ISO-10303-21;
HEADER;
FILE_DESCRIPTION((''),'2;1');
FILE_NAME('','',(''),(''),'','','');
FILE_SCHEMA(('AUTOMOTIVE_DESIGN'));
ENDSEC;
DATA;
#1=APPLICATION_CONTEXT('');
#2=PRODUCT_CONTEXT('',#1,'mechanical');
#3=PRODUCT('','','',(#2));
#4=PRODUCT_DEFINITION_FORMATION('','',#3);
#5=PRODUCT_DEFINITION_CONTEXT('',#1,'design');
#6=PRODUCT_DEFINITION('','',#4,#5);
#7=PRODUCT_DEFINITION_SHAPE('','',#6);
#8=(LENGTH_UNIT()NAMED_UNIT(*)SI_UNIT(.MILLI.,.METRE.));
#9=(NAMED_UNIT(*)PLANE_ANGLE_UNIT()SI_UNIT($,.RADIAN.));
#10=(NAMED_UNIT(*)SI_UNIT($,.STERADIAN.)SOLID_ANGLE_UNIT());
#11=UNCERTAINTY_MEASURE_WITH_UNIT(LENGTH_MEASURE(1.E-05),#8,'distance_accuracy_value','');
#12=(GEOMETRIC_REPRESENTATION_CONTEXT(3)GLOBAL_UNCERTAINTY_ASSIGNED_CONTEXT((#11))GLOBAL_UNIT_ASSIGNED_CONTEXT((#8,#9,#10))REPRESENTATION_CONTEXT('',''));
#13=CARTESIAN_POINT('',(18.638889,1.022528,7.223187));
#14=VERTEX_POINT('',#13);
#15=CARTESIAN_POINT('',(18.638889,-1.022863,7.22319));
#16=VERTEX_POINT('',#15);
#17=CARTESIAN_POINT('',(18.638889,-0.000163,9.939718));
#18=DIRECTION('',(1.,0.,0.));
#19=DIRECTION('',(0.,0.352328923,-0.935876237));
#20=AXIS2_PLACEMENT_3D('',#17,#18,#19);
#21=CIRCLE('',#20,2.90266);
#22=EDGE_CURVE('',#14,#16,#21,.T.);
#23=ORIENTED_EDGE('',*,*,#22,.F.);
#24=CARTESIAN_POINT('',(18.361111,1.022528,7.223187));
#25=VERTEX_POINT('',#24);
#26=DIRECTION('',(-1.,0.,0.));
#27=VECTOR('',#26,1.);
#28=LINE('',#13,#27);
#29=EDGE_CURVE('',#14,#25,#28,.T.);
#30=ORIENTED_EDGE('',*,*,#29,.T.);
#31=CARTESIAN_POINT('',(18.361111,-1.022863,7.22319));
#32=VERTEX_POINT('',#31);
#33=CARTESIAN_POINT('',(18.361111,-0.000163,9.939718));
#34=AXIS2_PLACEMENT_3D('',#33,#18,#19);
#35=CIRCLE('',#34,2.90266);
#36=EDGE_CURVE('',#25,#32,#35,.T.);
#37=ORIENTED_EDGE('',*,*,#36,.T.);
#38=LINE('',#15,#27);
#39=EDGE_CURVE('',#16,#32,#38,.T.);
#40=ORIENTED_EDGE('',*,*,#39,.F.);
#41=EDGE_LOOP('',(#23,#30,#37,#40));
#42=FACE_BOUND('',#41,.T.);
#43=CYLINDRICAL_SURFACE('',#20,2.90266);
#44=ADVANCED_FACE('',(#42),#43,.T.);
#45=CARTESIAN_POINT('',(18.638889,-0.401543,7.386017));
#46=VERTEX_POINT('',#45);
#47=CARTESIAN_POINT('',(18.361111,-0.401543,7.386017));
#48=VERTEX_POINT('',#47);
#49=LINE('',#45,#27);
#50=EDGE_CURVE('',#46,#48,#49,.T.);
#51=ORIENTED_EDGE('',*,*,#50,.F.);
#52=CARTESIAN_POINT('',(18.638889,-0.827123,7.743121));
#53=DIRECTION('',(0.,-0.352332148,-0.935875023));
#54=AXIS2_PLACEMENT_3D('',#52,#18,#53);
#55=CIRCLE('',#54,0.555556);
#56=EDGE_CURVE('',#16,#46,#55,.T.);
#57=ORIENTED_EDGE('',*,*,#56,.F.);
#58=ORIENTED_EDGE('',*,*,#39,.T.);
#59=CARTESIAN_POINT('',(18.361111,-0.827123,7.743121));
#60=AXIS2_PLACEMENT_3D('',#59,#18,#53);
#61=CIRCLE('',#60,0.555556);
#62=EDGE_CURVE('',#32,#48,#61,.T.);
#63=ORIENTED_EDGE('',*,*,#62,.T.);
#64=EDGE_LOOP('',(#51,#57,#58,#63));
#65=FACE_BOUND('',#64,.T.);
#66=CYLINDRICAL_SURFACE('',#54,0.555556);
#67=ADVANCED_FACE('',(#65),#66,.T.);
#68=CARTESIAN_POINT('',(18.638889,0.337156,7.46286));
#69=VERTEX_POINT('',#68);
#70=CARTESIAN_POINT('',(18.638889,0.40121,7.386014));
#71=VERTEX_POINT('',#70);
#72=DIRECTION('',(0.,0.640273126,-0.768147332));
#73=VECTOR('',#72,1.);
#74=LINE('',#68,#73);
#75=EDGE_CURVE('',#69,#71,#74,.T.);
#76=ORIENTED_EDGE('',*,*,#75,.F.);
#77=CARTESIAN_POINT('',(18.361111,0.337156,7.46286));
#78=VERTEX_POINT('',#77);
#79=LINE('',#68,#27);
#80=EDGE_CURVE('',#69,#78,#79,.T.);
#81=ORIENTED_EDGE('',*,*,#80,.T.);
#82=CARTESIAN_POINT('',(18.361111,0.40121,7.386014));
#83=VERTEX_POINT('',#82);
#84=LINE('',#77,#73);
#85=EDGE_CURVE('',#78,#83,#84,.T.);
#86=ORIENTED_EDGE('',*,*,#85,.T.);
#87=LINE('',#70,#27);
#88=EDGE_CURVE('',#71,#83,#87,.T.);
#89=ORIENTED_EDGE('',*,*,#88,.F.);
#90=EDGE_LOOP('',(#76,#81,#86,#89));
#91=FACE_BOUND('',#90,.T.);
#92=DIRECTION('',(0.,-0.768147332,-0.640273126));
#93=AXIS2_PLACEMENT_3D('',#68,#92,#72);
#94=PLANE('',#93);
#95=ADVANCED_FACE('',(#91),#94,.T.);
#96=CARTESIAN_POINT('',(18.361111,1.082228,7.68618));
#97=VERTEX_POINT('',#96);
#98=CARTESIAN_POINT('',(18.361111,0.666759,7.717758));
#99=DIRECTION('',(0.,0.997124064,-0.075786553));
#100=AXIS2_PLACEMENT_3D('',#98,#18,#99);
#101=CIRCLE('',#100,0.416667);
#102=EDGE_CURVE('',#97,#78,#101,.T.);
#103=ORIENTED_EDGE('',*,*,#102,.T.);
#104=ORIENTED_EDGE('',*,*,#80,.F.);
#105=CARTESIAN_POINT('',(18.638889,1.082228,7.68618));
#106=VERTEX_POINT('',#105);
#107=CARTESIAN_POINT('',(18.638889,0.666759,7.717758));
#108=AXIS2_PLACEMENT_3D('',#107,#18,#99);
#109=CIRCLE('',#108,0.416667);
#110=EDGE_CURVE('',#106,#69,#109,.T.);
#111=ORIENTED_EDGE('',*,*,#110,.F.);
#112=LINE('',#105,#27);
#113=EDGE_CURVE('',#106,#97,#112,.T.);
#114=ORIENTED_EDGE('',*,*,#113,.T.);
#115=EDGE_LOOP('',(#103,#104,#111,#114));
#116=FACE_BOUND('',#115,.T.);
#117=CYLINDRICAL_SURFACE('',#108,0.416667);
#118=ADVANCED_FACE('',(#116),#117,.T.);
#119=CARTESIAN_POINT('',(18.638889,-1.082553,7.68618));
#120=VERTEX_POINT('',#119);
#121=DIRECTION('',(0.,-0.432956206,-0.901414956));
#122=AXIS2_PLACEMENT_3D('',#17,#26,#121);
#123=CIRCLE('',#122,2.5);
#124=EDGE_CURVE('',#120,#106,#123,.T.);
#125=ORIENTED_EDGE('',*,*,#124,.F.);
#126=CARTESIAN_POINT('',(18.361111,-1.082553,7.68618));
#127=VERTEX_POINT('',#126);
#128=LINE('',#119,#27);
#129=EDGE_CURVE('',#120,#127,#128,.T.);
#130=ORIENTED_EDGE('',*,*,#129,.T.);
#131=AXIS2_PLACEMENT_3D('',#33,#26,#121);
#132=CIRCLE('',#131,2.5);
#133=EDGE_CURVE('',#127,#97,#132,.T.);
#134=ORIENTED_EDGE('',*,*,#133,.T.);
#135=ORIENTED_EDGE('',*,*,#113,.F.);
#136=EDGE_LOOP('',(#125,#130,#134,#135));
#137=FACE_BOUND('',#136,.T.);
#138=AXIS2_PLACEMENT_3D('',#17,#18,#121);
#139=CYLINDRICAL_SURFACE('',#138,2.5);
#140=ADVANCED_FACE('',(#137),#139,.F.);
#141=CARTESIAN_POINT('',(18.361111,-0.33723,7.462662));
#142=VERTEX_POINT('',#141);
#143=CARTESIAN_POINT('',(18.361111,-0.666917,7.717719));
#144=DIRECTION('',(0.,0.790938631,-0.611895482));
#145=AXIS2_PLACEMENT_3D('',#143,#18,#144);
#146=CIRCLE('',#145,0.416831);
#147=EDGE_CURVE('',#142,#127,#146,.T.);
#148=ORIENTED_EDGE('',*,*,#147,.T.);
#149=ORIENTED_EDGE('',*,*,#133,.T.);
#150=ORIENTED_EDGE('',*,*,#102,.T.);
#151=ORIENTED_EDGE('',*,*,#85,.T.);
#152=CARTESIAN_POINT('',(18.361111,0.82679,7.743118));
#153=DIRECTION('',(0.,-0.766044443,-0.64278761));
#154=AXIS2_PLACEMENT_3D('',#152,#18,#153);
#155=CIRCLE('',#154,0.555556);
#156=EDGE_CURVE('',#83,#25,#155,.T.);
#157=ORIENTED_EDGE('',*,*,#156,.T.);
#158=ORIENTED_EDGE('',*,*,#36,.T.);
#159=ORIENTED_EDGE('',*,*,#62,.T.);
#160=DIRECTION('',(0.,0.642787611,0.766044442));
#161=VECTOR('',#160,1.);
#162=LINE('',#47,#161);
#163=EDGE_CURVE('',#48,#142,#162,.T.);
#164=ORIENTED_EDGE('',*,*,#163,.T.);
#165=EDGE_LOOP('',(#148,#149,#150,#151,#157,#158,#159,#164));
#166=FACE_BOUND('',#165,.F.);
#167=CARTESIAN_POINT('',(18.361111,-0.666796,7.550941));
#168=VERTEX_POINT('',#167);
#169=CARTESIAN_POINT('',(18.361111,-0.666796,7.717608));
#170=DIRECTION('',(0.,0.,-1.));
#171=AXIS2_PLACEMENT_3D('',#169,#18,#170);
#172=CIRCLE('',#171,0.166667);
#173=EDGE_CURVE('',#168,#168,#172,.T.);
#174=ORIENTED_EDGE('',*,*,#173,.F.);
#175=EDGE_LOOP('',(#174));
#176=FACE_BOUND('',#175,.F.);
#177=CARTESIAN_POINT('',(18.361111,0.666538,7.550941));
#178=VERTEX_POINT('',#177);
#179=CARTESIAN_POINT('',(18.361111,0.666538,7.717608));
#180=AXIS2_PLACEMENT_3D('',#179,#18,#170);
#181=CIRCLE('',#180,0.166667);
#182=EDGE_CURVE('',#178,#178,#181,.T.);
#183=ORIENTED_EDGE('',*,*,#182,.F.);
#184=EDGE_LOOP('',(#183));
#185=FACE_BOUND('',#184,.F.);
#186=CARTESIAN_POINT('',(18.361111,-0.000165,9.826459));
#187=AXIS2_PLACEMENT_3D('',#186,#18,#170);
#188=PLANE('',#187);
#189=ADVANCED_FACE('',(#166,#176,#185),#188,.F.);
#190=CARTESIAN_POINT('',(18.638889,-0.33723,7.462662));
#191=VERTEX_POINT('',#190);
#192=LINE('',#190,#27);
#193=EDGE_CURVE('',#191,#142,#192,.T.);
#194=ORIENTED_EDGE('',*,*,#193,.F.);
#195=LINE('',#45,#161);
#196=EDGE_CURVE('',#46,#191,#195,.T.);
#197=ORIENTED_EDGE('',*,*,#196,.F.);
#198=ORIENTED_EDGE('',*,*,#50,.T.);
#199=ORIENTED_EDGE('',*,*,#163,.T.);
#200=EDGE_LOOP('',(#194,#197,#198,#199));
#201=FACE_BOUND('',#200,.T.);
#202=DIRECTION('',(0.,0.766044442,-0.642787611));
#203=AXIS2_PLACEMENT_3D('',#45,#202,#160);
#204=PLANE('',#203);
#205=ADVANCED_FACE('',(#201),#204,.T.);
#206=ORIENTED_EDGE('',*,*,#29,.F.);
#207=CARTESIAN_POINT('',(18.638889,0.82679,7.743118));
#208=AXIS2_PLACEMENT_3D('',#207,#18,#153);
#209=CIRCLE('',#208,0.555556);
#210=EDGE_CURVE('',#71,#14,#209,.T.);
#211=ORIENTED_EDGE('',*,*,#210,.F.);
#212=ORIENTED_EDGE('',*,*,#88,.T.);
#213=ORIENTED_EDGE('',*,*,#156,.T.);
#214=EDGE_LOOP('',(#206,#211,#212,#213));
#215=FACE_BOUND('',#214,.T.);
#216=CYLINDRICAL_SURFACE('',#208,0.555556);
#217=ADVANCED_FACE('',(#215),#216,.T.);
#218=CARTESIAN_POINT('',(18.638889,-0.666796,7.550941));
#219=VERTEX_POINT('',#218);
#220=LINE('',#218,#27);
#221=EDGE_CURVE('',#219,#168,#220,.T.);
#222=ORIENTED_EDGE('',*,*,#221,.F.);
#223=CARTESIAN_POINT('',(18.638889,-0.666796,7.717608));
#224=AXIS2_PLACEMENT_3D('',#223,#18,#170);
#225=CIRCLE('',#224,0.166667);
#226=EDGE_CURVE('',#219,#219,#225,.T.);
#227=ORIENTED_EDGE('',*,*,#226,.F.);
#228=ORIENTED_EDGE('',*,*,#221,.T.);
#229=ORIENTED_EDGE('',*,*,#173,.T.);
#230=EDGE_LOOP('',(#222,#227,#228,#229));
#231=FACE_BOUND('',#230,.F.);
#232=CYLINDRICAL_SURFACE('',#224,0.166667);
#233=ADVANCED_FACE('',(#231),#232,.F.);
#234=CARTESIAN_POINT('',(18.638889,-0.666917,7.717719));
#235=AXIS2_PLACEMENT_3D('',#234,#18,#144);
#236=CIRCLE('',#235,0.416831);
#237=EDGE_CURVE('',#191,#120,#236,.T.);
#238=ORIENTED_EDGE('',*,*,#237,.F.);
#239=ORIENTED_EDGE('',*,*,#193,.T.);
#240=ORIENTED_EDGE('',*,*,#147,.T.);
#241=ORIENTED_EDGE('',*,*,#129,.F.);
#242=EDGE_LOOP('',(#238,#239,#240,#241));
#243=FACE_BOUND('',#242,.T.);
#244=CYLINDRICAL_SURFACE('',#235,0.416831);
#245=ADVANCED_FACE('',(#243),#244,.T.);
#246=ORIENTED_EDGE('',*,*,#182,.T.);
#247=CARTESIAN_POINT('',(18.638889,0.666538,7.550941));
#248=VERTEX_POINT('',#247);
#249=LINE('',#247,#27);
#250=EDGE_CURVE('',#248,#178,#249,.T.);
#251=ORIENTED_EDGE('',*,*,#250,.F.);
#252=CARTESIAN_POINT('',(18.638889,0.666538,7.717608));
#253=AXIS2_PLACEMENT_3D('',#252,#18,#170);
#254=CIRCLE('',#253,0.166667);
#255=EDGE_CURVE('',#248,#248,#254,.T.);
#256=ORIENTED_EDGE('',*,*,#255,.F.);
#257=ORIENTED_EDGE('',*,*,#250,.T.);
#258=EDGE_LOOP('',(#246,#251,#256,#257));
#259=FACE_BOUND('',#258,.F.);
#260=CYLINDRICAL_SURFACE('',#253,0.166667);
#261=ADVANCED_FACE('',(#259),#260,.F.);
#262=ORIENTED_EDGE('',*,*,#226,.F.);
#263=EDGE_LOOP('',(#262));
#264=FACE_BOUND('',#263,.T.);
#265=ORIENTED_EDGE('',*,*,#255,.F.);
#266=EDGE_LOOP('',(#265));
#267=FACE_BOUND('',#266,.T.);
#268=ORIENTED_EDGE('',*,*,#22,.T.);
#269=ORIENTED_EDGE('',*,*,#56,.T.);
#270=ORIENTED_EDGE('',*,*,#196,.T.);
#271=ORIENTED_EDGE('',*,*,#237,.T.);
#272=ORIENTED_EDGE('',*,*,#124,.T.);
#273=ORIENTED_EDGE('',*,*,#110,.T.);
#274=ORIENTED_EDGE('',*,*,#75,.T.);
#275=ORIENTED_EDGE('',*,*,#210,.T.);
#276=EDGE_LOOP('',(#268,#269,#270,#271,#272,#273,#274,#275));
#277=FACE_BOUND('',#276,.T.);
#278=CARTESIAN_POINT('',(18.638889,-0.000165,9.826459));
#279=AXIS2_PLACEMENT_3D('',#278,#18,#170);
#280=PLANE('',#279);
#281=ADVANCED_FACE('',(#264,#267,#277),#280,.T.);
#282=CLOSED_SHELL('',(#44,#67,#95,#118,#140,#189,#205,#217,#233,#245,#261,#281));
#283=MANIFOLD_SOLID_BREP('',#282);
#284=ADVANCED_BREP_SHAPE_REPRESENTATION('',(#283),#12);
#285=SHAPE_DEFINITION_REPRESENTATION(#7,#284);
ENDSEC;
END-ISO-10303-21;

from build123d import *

# Parameters (mm, degrees)
SKETCH1_R           = 0.6
BOSS_EXTRUDE1_DEPTH = 1
SCALE2_SCALE        = 0.277777778


with BuildPart() as part:
    # Sketch1 → Boss-Extrude1 (new body)
    with BuildSketch(Plane(origin=(19, 0, 0), x_dir=(0, 0, -1), z_dir=(1, 0, 0))):
        with BuildLine():
            Line((-1.082906578, 1.214226965), (-0.806260325, 1.444819657))
            ThreePointArc((-0.806260325, 1.444819657), (-0.157167996, 2.46989624), (-0.220083072, 3.681566388))
            ThreePointArc((-0.220083072, 3.681566388), (-20.449170804, -0.000103807), (-0.220095755, -3.681843689))
            ThreePointArc((-0.220095755, -3.681843689), (-0.157177378, -2.470170425), (-0.806270581, -1.44509051))
            Line((-0.806270581, -1.44509051), (-1.082193901, -1.213563353))
            ThreePointArc((-1.082193901, -1.213563353), (-3.437745717, -1.969386585), (-1.886859109, -3.896727719))
            ThreePointArc((-1.886859109, -3.896727719), (-18.999593972, -0.000121806), (-1.886859109, 3.896484108))
            ThreePointArc((-1.886859109, 3.896484108), (-3.437385157, 1.97013231), (-1.082906578, 1.214226965))
        make_face()
        with Locations((-2.00000003, -2.4)):
            Circle(SKETCH1_R, mode=Mode.SUBTRACT)
        with Locations((-2.00000003, 2.4)):
            Circle(SKETCH1_R, mode=Mode.SUBTRACT)
    extrude(amount=-BOSS_EXTRUDE1_DEPTH)


with BuildPart() as part_1:
    # Scale2: scaled about (18.5, -0.000178585, 9.916688181)
    add(part.part.scale(SCALE2_SCALE).moved(Location((13.361111111, -0.000128978, 7.162052575))))


solid = part_1.part
